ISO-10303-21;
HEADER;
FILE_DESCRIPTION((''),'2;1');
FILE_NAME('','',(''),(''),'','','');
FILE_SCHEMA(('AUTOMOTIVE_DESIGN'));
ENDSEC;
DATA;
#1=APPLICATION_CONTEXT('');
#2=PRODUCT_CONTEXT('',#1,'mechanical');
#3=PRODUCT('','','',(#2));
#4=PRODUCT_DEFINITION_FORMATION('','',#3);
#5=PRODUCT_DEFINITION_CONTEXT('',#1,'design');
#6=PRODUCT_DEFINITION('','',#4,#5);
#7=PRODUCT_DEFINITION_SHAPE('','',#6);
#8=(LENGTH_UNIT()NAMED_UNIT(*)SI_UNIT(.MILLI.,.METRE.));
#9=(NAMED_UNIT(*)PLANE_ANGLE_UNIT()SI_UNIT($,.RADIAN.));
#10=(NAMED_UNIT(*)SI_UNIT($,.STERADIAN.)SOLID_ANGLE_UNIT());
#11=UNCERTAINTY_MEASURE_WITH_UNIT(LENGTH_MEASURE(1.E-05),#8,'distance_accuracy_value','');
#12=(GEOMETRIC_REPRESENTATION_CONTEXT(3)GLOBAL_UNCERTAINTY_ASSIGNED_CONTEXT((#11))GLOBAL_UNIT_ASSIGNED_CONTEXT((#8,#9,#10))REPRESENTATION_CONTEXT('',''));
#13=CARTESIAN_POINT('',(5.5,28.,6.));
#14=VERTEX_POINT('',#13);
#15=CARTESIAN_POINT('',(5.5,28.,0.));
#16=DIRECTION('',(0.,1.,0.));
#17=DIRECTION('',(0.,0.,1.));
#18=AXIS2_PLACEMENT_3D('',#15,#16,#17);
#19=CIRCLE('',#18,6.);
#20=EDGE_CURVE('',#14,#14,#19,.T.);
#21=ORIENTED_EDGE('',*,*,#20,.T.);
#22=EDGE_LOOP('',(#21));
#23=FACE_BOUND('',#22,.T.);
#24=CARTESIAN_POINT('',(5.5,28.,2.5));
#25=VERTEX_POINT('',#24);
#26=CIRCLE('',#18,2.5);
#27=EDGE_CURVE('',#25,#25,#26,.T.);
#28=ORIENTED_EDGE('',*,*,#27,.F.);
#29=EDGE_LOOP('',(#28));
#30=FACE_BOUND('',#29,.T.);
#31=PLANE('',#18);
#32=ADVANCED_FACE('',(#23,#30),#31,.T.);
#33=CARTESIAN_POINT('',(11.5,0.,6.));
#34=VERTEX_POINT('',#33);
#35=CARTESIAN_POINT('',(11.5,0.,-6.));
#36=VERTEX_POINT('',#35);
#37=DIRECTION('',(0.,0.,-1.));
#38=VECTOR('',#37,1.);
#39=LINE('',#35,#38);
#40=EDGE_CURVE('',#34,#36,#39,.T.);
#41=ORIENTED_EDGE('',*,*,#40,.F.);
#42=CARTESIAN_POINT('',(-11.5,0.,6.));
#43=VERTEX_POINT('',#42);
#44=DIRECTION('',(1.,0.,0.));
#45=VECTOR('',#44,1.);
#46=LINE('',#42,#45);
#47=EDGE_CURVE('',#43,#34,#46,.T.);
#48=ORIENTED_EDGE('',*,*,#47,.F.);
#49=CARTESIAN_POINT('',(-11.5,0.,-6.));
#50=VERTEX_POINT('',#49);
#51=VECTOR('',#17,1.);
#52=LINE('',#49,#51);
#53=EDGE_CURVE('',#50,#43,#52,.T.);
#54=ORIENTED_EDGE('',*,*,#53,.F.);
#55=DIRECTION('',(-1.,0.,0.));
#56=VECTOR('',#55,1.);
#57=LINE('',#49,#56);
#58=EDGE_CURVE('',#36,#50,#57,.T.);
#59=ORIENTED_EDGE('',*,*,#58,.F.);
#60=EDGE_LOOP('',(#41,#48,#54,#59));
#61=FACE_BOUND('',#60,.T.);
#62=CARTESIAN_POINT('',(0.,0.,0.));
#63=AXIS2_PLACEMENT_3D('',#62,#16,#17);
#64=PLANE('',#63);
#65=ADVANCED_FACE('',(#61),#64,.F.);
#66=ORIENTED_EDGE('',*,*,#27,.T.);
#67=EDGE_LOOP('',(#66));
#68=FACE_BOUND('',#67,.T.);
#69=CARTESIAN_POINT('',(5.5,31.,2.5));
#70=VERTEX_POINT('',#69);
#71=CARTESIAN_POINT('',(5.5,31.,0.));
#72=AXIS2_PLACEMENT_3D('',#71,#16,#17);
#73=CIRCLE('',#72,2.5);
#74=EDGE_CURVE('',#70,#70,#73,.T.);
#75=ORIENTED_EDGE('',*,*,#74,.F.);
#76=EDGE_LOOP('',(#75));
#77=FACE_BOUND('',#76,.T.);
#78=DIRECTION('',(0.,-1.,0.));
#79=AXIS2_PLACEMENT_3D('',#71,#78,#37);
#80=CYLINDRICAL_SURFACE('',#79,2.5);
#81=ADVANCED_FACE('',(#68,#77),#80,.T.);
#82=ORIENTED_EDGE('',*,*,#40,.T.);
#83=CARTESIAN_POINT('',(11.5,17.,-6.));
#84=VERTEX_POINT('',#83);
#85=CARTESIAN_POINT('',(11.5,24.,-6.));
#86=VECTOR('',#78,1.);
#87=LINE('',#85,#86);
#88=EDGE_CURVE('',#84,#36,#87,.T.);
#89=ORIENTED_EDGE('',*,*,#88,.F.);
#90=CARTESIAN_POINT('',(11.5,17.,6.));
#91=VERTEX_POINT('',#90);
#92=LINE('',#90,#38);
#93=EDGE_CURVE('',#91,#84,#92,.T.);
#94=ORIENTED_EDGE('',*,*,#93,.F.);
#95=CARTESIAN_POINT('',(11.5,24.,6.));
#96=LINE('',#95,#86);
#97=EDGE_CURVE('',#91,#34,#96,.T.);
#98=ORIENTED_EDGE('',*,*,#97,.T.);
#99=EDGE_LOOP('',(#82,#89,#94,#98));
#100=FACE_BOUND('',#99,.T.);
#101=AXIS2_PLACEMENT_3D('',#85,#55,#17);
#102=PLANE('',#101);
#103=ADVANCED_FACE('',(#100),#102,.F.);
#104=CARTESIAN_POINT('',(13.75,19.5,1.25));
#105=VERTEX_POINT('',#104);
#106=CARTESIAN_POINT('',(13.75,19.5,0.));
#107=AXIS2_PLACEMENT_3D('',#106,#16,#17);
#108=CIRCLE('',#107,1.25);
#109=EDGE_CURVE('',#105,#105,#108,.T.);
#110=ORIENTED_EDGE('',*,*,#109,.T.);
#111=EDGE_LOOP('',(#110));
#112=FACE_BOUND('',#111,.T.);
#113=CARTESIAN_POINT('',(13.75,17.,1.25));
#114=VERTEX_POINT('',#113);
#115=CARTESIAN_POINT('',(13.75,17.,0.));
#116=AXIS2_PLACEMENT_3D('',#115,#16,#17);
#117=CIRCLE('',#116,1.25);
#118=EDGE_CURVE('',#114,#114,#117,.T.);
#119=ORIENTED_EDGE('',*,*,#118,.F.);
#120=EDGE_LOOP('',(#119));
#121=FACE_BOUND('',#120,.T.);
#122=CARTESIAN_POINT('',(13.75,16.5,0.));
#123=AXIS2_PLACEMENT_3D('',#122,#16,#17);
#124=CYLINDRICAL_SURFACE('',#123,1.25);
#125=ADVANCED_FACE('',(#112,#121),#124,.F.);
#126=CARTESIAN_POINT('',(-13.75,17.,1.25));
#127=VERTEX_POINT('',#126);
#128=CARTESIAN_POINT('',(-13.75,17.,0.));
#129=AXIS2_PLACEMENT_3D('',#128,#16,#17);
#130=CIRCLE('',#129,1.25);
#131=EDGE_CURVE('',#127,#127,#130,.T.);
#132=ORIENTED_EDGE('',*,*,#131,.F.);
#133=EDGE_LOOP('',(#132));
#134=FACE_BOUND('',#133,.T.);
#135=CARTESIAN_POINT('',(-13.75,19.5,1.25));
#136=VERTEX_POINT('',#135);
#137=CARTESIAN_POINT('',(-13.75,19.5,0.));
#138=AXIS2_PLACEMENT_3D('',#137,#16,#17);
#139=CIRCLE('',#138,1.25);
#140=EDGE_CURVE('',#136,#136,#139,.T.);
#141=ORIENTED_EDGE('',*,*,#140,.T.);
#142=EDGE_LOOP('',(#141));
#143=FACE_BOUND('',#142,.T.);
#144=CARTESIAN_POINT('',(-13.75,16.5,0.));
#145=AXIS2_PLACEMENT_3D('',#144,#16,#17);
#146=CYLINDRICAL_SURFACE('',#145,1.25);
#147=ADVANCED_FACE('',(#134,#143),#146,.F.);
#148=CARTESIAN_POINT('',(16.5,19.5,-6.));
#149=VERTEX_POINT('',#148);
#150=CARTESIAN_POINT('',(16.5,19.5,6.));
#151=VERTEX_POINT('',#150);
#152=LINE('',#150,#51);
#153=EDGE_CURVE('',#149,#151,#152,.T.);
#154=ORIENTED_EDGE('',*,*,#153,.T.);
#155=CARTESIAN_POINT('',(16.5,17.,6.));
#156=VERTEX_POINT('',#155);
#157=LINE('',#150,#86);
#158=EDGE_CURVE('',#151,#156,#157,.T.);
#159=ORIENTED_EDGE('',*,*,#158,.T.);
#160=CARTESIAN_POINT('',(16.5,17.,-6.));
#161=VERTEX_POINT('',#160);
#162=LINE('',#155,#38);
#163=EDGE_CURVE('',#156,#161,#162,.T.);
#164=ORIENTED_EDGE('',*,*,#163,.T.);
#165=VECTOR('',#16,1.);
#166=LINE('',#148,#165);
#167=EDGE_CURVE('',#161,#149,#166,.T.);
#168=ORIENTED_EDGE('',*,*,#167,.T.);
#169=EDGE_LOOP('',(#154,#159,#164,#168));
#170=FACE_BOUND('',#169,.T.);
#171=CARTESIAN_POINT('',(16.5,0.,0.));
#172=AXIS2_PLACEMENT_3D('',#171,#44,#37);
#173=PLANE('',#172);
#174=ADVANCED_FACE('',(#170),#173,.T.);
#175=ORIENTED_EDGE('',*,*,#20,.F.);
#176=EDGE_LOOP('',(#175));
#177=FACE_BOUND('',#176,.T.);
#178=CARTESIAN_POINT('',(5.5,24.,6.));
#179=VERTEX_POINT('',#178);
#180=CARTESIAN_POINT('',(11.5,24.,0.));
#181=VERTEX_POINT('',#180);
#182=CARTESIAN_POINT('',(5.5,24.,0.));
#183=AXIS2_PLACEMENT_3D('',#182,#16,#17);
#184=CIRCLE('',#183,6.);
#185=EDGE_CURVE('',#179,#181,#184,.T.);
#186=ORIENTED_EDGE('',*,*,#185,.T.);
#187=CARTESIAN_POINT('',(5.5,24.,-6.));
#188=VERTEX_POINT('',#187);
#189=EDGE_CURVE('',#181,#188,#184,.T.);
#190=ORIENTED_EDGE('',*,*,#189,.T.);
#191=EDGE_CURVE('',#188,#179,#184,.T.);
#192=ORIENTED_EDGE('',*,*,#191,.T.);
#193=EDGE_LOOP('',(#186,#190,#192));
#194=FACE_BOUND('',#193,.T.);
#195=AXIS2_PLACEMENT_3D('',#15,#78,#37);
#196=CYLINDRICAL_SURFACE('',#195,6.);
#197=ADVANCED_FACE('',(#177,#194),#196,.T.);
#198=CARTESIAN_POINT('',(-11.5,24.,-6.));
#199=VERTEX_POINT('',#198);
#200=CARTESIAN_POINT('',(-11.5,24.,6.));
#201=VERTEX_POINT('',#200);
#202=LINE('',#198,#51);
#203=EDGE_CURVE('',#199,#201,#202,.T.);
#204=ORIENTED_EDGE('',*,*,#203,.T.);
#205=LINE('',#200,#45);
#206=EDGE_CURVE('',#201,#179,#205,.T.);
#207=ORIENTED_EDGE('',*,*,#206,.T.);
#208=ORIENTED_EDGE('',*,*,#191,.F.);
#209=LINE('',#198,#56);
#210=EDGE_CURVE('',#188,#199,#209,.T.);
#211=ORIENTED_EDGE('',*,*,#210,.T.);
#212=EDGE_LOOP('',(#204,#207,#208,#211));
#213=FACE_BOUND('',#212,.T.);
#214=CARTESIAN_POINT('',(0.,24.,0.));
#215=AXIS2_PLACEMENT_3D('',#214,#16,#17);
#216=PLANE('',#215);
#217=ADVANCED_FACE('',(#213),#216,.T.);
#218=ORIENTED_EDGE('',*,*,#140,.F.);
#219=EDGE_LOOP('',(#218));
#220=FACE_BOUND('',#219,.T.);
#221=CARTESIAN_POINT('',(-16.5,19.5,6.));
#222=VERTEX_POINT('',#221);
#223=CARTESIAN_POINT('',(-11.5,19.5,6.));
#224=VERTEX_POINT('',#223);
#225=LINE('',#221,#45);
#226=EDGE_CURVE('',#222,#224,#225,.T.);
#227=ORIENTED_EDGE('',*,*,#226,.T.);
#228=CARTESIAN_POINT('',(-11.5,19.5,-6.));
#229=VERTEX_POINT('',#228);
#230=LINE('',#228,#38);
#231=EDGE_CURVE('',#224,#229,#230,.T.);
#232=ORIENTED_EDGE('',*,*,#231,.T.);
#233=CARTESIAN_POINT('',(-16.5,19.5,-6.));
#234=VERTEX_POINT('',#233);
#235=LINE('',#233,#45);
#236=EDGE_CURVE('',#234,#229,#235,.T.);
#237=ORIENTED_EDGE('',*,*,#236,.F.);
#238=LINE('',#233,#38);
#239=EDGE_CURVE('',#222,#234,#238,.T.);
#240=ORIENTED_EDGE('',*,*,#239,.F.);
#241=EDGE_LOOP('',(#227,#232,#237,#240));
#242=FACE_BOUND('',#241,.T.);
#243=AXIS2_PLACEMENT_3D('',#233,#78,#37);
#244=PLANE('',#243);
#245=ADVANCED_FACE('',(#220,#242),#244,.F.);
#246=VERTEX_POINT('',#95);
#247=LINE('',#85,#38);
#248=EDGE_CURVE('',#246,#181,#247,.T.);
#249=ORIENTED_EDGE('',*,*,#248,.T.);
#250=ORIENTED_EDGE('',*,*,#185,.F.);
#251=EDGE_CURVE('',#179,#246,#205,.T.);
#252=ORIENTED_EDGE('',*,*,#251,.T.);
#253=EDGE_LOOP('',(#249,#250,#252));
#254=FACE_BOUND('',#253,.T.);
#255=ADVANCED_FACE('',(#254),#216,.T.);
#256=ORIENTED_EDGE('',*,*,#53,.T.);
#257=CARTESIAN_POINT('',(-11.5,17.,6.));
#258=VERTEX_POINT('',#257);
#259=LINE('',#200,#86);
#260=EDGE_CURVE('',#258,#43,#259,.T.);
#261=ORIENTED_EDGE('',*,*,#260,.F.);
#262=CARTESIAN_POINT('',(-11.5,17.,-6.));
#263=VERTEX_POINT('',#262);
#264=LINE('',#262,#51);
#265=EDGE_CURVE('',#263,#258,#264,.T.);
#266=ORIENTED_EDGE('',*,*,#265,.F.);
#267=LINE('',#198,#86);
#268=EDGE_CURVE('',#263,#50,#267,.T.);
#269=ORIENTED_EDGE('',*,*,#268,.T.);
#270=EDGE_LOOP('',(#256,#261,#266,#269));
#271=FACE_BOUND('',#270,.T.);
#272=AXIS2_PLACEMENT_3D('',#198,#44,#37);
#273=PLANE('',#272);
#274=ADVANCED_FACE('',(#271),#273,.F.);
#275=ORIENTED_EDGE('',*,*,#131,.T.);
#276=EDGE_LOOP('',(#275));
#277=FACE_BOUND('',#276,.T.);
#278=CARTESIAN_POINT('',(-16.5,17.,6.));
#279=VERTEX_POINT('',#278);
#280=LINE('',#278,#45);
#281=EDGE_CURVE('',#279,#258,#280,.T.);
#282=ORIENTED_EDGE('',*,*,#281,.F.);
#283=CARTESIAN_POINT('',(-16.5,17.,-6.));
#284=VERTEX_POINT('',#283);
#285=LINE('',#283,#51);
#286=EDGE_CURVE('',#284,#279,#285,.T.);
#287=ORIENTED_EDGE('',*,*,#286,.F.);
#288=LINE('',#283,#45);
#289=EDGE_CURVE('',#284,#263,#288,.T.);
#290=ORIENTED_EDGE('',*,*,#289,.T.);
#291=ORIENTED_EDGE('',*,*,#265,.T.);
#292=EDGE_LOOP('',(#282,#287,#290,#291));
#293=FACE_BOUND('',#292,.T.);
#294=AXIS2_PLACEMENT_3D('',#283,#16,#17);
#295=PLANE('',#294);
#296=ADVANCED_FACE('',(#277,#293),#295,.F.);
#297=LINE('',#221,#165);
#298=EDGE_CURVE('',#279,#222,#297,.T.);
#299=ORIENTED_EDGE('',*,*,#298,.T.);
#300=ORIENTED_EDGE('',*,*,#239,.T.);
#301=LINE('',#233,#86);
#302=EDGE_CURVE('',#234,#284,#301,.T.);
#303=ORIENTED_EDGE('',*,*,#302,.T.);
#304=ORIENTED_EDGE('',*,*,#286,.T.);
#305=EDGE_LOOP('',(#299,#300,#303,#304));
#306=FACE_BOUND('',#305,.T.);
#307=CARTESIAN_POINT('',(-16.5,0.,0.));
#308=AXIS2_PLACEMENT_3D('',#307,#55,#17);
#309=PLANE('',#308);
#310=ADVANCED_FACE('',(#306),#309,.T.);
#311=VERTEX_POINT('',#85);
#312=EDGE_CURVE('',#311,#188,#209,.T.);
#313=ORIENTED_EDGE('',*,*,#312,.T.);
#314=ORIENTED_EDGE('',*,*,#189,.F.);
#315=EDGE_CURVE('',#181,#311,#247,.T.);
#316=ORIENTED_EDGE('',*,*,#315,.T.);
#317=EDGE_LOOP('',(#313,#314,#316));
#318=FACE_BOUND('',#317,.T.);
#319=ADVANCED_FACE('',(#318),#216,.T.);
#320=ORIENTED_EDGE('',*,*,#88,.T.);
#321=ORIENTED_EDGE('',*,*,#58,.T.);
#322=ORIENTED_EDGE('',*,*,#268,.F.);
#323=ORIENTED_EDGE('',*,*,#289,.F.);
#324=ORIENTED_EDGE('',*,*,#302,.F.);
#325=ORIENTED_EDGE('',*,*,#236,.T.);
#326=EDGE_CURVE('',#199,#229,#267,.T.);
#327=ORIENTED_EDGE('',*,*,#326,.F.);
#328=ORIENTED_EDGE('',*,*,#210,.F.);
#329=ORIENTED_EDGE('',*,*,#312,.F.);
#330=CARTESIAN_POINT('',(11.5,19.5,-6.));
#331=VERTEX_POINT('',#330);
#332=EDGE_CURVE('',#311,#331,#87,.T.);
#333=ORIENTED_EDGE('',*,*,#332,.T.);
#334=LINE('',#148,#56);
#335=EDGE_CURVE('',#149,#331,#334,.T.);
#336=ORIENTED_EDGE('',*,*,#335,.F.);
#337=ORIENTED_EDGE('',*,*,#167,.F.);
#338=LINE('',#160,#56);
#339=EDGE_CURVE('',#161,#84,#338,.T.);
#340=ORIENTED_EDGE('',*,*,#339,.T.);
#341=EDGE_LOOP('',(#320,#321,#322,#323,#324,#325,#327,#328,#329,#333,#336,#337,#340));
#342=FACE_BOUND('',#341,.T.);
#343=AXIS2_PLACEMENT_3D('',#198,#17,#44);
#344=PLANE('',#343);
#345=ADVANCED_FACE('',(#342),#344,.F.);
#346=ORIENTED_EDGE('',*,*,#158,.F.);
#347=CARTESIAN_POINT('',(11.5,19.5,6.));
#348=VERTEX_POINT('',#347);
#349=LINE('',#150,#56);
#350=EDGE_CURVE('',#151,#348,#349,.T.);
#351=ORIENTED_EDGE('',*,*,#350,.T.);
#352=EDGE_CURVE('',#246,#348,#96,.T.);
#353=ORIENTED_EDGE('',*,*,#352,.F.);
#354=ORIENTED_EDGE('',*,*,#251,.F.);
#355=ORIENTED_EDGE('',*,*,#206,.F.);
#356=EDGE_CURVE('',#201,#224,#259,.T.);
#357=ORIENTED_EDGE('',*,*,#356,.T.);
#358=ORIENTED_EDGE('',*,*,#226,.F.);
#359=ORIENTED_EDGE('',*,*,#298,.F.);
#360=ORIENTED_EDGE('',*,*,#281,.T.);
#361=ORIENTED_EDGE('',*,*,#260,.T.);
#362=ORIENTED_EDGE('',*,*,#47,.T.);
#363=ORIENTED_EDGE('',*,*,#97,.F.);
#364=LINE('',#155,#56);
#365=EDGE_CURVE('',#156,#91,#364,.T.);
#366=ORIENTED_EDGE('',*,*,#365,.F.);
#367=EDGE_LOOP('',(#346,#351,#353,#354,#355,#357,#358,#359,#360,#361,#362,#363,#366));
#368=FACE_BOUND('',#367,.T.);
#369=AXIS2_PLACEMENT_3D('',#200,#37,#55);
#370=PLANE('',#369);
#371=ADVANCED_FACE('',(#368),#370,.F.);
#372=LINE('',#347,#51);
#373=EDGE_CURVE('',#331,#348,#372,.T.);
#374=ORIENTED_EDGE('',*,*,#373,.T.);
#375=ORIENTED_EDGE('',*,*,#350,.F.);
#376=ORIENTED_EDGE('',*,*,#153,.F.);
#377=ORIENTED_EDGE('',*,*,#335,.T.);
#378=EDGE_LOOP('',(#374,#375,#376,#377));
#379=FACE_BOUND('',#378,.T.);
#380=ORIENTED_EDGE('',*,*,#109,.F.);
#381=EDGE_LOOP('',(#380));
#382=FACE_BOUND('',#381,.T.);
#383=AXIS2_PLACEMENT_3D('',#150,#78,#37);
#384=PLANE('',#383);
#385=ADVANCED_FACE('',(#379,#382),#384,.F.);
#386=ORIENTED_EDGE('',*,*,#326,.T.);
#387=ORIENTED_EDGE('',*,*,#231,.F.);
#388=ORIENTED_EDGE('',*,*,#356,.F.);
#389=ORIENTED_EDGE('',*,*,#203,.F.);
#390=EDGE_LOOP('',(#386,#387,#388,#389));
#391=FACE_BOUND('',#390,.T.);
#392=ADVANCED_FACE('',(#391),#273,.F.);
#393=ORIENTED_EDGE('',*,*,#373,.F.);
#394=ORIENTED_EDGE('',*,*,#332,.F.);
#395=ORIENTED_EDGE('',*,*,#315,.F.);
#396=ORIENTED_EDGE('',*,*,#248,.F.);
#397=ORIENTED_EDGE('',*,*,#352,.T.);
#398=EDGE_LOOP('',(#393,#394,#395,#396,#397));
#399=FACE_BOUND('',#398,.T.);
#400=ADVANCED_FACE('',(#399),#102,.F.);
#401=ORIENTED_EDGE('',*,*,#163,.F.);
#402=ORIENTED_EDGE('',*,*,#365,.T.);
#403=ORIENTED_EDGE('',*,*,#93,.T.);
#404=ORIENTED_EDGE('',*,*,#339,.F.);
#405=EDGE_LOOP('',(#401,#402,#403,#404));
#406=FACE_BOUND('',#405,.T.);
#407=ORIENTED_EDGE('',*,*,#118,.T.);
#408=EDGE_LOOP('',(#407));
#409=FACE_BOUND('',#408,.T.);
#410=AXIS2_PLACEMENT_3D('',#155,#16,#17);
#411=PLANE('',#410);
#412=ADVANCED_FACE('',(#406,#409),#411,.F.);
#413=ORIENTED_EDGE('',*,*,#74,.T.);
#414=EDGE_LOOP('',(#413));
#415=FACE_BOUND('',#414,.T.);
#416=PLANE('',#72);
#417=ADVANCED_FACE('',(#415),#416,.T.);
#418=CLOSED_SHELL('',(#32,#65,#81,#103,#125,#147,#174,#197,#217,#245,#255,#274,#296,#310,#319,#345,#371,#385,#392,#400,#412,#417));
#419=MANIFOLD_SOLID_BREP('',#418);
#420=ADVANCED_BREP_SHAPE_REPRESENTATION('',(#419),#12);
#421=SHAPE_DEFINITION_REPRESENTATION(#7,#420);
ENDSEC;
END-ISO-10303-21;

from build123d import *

# Parameters (mm, degrees)
SKETCH_1_W          = 23
SKETCH_1_H          = 12
EXTRUDE_1_DEPTH     = 24
SKETCH_2_W          = 12
SKETCH_2_H          = 2.5
EXTRUDE_2_DEPTH     = 5
SKETCH_3_W          = 12
SKETCH_3_H          = 2.5
EXTRUDE_3_DEPTH     = 5
SKETCH_4_R          = 6
EXTRUDE_4_DEPTH     = 4
SKETCH_5_R          = 2.5
EXTRUDE_5_DEPTH     = 3
SKETCH_6_R          = 1.25
CUT_EXTRUDE_1_DEPTH = 3


with BuildPart() as part:
    # 草图1 → 凸台-拉伸1 (new body)
    with BuildSketch(Plane(origin=(0, 0, 0), x_dir=(1, 0, 0), z_dir=(0, 1, 0))):
        Rectangle(SKETCH_1_W, SKETCH_1_H)
    extrude(amount=EXTRUDE_1_DEPTH)

    # 草图2 → 凸台-拉伸2 (add)
    with BuildSketch(Plane(origin=(11.5, 0, 0), x_dir=(0, 0, -1), z_dir=(1, 0, 0))):
        with Locations((0, 18.25)):
            Rectangle(SKETCH_2_W, SKETCH_2_H)
    extrude(amount=EXTRUDE_2_DEPTH)

    # 草图3 → 凸台-拉伸3 (add)
    with BuildSketch(Plane.ZY.offset(11.5)):
        with Locations((0, 18.25)):
            Rectangle(SKETCH_3_W, SKETCH_3_H)
    extrude(amount=EXTRUDE_3_DEPTH)

    # 草图4 → 凸台-拉伸4 (add)
    with BuildSketch(Plane(origin=(0, 24, 0), x_dir=(1, 0, 0), z_dir=(0, 1, 0))):
        with Locations(Location((5.5, 0, 0), (0, 0, 270))):
            Circle(SKETCH_4_R)
    extrude(amount=EXTRUDE_4_DEPTH)

    # 草图5 → 凸台-拉伸5 (add)
    with BuildSketch(Plane(origin=(0, 28, 0), x_dir=(1, 0, 0), z_dir=(0, 1, 0))):
        with Locations(Location((5.5, 0, 0), (0, 0, 270))):
            Circle(SKETCH_5_R)
    extrude(amount=EXTRUDE_5_DEPTH)

    # 草图6 → 切除-拉伸1 (cut)
    with BuildSketch(Plane(origin=(0, 19.5, 0), x_dir=(1, 0, 0), z_dir=(0, 1, 0))):
        with Locations(Location((13.75, 0, 0), (0, 0, 270))):
            Circle(SKETCH_6_R)
        with Locations(Location((-13.75, 0, 0), (0, 0, 270))):
            Circle(SKETCH_6_R)
    extrude(amount=-CUT_EXTRUDE_1_DEPTH, mode=Mode.SUBTRACT)


solid = part.part
